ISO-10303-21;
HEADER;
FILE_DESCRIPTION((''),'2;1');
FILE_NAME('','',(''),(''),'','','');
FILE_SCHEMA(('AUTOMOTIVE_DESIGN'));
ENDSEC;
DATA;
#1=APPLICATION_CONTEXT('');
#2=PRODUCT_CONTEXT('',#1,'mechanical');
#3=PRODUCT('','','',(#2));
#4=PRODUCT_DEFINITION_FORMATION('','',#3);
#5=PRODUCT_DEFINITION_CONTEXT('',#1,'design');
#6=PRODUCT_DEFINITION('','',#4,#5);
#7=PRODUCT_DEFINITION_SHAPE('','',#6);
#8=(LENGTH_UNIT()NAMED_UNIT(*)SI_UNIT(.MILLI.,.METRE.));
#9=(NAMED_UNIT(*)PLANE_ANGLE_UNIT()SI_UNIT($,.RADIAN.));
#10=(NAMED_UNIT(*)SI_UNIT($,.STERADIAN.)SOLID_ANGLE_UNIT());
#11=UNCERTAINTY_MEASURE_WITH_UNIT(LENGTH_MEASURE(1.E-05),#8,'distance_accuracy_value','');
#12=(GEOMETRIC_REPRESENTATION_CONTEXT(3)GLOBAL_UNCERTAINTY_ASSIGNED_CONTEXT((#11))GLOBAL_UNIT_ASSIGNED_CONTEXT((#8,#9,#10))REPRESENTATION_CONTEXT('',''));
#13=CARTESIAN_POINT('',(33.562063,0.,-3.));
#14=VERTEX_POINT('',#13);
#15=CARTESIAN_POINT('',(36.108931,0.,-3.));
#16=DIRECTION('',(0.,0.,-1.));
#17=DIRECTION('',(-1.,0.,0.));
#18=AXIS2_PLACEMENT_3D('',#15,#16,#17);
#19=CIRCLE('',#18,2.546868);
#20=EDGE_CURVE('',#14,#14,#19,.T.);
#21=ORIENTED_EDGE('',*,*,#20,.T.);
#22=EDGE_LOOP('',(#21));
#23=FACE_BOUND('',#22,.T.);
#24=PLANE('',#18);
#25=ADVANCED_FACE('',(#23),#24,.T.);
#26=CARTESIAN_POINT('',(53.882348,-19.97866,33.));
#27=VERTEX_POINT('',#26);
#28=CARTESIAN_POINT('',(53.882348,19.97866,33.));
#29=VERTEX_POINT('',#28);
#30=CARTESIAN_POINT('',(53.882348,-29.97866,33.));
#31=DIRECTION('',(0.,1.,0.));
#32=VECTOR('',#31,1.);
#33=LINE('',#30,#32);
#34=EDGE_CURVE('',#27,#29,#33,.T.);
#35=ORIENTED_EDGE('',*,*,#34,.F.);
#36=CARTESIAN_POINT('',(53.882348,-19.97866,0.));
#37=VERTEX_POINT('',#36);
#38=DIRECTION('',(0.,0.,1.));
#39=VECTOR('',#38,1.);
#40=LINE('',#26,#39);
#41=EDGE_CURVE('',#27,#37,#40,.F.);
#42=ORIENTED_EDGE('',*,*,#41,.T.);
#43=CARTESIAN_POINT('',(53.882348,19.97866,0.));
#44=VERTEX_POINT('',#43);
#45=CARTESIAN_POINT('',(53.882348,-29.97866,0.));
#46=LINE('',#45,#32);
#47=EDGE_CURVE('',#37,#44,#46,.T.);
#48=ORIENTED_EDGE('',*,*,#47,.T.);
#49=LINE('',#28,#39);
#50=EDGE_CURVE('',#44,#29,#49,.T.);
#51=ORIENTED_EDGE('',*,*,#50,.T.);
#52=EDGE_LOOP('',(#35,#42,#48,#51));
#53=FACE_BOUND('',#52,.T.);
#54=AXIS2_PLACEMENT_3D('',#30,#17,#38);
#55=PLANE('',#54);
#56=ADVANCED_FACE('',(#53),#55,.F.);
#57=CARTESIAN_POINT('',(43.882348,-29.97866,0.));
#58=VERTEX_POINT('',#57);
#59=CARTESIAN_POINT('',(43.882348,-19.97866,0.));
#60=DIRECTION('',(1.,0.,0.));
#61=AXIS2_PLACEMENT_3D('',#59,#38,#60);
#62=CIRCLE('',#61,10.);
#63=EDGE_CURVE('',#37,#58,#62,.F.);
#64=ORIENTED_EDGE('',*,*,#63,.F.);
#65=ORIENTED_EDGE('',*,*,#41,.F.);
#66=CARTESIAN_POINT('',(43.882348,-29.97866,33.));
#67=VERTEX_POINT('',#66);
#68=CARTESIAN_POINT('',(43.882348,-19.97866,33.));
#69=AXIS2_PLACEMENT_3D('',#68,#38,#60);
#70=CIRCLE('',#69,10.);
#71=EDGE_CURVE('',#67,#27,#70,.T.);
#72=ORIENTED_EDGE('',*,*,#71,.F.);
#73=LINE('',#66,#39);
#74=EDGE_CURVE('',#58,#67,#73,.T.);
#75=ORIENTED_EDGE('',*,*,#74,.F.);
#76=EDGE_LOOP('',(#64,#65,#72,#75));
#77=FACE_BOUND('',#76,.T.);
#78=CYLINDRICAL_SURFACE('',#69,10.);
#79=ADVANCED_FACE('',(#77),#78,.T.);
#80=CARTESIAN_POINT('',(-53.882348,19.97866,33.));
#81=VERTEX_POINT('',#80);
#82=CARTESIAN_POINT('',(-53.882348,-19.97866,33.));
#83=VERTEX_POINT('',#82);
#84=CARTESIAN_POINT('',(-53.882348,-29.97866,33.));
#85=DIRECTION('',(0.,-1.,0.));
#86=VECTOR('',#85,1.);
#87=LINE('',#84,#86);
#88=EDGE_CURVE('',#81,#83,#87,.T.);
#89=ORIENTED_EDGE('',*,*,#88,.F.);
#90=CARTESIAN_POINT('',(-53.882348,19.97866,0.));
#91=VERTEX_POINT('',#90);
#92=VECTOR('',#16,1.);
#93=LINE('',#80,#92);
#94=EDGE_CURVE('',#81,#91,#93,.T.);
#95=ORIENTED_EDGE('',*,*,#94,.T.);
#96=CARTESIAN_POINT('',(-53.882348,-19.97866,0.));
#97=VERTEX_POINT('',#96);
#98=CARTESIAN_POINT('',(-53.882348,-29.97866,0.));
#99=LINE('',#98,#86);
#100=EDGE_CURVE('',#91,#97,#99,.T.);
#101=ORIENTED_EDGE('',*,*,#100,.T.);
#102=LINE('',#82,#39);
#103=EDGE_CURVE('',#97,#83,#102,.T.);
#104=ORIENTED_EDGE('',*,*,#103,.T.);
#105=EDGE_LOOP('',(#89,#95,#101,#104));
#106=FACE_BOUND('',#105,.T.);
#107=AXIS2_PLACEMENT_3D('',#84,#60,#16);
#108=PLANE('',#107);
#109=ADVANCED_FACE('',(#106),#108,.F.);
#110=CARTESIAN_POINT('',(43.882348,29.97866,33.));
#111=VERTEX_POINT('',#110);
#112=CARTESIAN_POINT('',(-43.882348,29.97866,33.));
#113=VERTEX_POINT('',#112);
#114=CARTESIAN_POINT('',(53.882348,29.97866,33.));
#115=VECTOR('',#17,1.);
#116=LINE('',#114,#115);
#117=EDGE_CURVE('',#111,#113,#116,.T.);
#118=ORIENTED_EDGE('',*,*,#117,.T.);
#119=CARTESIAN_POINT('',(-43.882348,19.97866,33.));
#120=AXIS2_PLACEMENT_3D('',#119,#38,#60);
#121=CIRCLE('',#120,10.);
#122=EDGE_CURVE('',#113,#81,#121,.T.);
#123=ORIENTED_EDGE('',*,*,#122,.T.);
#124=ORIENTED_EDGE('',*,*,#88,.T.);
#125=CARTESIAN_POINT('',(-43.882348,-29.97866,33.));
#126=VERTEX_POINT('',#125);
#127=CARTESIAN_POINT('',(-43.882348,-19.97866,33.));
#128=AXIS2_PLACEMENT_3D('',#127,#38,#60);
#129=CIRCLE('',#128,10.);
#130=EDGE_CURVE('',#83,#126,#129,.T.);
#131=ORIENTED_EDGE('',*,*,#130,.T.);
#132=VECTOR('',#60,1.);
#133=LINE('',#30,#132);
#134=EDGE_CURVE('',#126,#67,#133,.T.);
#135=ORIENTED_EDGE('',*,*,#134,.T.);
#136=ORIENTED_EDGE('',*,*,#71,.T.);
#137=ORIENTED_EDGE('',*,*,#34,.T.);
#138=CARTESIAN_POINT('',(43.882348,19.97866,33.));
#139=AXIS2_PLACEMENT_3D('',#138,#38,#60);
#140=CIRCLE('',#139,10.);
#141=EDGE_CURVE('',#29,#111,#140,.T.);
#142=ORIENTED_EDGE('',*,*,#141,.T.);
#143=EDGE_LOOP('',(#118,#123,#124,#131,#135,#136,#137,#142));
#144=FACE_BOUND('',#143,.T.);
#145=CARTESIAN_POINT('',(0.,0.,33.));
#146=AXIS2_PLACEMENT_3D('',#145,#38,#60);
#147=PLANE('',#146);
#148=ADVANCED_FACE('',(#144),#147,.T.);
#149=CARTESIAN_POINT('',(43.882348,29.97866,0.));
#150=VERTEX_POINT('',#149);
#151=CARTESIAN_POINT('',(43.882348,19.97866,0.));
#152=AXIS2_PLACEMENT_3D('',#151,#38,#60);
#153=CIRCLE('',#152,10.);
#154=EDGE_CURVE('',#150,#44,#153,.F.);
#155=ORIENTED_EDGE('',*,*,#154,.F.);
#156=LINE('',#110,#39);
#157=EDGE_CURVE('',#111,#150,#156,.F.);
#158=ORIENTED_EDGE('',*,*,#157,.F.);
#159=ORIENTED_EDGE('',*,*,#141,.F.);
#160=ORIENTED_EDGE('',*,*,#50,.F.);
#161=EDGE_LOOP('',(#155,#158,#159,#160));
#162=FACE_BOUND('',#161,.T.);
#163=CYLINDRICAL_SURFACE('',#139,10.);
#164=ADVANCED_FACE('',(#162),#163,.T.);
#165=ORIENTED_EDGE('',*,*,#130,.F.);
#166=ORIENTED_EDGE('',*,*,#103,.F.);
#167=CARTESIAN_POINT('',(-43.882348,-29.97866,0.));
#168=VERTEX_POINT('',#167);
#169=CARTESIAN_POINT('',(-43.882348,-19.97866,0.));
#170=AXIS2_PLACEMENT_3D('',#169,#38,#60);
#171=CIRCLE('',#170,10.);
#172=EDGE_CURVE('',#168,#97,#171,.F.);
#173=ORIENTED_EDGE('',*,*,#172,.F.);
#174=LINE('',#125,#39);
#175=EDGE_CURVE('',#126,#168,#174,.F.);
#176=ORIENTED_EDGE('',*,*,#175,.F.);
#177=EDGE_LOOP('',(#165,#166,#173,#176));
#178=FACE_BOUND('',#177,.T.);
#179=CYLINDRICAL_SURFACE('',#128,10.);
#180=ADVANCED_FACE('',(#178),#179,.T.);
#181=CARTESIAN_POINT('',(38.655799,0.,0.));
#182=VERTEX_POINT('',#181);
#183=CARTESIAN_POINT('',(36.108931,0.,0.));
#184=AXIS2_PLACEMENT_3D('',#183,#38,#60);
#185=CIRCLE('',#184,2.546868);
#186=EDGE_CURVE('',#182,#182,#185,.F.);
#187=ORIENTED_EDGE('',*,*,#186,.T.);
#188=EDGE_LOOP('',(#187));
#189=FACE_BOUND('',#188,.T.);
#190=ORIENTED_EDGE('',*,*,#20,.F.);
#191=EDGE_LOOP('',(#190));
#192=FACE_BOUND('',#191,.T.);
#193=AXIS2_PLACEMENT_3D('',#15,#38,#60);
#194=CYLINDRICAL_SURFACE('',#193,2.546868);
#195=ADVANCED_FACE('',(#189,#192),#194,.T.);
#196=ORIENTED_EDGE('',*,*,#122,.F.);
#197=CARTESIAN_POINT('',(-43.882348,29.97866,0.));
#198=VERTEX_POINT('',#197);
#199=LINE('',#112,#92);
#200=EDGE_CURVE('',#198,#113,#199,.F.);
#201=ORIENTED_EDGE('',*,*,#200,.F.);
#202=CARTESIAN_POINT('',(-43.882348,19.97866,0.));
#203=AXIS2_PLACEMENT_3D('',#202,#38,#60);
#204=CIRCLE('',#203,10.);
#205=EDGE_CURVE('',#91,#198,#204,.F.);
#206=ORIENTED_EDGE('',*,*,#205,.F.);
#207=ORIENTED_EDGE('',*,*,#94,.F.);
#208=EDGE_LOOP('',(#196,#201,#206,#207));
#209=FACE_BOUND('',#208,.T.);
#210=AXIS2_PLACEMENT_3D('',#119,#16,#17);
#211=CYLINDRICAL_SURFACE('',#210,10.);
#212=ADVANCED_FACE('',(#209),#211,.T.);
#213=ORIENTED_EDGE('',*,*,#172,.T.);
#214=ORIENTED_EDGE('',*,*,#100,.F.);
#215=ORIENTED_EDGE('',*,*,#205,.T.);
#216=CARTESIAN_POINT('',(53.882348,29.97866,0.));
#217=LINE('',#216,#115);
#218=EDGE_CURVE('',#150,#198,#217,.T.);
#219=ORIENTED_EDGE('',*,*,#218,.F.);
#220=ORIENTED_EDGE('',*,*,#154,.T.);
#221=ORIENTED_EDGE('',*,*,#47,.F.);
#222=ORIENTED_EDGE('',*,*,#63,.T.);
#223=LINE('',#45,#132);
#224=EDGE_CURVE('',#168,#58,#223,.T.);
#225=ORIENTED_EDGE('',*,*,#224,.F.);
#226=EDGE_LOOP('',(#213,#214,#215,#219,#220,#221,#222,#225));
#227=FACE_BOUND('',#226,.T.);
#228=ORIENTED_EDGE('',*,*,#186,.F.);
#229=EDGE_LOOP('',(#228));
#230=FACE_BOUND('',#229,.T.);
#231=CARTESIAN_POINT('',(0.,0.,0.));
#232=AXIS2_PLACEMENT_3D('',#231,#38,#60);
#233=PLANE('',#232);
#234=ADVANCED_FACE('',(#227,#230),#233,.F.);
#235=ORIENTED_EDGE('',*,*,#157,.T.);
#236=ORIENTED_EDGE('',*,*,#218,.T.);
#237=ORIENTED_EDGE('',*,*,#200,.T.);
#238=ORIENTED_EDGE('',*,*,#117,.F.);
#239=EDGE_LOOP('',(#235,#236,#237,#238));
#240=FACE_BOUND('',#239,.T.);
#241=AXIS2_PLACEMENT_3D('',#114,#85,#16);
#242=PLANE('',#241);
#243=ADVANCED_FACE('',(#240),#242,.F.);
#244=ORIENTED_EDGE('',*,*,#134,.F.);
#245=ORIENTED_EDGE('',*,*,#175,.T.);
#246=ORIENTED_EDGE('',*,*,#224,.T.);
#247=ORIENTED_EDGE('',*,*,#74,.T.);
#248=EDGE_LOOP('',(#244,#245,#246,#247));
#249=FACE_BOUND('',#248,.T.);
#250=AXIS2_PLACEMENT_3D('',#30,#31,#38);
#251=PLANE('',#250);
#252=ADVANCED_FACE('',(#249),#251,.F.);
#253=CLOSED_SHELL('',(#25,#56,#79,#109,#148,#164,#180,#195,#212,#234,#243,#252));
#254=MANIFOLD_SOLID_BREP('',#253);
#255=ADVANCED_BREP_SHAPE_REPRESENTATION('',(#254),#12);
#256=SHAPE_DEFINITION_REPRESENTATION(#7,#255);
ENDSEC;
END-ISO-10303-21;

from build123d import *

# Parameters (mm, degrees)
SKETCH_1_W      = 107.764696886
SKETCH_1_H      = 59.957319102
EXTRUDE_1_DEPTH = 33
FILLET_1_R      = 10
FILLET_2_R      = 10
FILLET_4_R      = 10
FILLET_5_R      = 10
SKETCH_2_R      = 2.546868178
EXTRUDE_2_DEPTH = 3


with BuildPart() as part:
    # 草图1 → 凸台-拉伸1 (new body)
    with BuildSketch(Plane.XY):
        Rectangle(SKETCH_1_W, SKETCH_1_H)
    extrude(amount=EXTRUDE_1_DEPTH)

    # 圆角1
    fillet_1_edges = [part.edges().sort_by_distance(p)[0] for p in [
        (53.882348443, 29.978659551, 16.5),
    ]]
    fillet(fillet_1_edges, radius=FILLET_1_R)

    # 圆角2
    fillet_2_edges = [part.edges().sort_by_distance(p)[0] for p in [
        (53.882348443, -29.978659551, 16.5),
    ]]
    fillet(fillet_2_edges, radius=FILLET_2_R)

    # 圆角4
    fillet_4_edges = [part.edges().sort_by_distance(p)[0] for p in [
        (-53.882348443, 29.978659551, 16.5),
    ]]
    fillet(fillet_4_edges, radius=FILLET_4_R)

    # 圆角5
    fillet_5_edges = [part.edges().sort_by_distance(p)[0] for p in [
        (-53.882348443, -29.978659551, 16.5),
    ]]
    fillet(fillet_5_edges, radius=FILLET_5_R)

    # 草图2 → 凸台-拉伸2 (add)
    with BuildSketch(Plane(origin=(0, 0, 0), x_dir=(-1, 0, 0), z_dir=(0, 0, -1))):
        with Locations(Location((-36.108931064, 0, 0), (0, 0, 180))):
            Circle(SKETCH_2_R)
    extrude(amount=EXTRUDE_2_DEPTH)


solid = part.part
